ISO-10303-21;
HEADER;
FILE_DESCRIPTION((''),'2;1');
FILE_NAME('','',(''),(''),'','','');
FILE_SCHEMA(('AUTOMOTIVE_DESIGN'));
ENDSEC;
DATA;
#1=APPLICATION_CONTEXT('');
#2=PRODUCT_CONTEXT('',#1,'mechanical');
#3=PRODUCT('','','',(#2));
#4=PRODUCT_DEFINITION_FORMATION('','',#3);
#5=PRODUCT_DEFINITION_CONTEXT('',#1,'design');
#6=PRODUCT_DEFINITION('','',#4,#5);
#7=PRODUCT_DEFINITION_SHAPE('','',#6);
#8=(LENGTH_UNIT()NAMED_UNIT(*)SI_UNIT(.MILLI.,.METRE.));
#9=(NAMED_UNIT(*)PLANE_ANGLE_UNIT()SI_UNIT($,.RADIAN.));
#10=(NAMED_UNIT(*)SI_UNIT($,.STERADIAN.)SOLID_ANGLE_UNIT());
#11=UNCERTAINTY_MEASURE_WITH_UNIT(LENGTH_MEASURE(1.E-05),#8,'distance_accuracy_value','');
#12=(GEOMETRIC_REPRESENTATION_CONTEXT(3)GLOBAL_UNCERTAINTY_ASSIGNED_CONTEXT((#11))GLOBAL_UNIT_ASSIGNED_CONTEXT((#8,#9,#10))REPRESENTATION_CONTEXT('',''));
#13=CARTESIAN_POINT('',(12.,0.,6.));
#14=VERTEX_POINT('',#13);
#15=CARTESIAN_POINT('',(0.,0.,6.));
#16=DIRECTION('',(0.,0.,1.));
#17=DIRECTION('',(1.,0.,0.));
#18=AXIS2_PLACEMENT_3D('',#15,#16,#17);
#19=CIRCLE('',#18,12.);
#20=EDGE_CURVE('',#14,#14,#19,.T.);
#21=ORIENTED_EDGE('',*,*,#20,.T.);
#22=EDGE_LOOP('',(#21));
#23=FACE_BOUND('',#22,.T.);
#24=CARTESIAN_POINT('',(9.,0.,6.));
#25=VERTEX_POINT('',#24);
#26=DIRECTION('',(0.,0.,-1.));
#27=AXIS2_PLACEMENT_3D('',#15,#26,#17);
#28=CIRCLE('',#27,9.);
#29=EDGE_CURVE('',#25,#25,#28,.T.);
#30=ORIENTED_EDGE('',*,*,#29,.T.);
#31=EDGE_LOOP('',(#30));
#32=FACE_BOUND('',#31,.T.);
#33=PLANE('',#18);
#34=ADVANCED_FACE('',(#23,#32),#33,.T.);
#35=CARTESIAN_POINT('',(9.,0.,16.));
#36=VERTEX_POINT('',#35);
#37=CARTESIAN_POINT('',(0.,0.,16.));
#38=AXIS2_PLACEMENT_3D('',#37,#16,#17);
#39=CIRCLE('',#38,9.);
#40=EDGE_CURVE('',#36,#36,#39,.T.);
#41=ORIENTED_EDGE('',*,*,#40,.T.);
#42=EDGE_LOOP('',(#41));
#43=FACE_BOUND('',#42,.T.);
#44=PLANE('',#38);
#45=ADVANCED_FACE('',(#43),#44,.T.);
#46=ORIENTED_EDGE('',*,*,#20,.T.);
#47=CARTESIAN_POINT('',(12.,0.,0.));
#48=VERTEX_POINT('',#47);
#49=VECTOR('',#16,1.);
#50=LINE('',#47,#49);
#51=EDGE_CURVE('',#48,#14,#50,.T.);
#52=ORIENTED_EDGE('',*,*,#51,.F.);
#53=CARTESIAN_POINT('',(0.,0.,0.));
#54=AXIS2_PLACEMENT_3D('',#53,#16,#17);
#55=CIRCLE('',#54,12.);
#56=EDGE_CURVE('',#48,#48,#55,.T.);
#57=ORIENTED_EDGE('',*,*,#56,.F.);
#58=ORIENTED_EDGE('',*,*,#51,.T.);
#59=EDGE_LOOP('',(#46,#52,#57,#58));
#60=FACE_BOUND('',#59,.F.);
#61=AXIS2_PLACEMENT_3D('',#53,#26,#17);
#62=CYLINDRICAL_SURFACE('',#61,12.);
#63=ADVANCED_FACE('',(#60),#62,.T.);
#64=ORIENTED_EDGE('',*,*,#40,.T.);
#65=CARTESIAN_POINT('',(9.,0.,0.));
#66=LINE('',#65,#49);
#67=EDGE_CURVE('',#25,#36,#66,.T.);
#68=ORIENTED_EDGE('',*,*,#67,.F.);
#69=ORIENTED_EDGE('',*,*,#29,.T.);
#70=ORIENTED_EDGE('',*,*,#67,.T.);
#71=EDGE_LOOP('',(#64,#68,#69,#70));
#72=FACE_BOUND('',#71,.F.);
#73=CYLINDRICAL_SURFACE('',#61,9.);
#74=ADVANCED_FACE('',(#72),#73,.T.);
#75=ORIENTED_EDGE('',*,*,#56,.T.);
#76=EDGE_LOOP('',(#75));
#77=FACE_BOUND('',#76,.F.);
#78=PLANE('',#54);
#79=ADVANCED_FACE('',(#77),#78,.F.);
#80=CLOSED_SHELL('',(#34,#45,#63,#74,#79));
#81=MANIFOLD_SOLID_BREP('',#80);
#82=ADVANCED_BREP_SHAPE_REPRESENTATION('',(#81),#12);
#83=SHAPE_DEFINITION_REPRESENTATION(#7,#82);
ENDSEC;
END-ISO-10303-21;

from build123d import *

# Parameters (mm, degrees)
CYLINDER_R        = 12
CYLINDER_DEPTH    = 6
CYLINDER001_R     = 9
CYLINDER001_DEPTH = 16


with BuildPart() as cylinder:
    # Cylinder → Cylinder (new body)
    with BuildSketch(Plane.XY):
        Circle(CYLINDER_R)
    extrude(amount=CYLINDER_DEPTH)


with BuildPart() as fusion:
    # Cylinder001 → Cylinder001 (new body)
    with BuildSketch(Plane.XY):
        Circle(CYLINDER001_R)
    extrude(amount=CYLINDER001_DEPTH)

    # Fusion: union Cylinder
    add(cylinder.part)


solid = fusion.part
